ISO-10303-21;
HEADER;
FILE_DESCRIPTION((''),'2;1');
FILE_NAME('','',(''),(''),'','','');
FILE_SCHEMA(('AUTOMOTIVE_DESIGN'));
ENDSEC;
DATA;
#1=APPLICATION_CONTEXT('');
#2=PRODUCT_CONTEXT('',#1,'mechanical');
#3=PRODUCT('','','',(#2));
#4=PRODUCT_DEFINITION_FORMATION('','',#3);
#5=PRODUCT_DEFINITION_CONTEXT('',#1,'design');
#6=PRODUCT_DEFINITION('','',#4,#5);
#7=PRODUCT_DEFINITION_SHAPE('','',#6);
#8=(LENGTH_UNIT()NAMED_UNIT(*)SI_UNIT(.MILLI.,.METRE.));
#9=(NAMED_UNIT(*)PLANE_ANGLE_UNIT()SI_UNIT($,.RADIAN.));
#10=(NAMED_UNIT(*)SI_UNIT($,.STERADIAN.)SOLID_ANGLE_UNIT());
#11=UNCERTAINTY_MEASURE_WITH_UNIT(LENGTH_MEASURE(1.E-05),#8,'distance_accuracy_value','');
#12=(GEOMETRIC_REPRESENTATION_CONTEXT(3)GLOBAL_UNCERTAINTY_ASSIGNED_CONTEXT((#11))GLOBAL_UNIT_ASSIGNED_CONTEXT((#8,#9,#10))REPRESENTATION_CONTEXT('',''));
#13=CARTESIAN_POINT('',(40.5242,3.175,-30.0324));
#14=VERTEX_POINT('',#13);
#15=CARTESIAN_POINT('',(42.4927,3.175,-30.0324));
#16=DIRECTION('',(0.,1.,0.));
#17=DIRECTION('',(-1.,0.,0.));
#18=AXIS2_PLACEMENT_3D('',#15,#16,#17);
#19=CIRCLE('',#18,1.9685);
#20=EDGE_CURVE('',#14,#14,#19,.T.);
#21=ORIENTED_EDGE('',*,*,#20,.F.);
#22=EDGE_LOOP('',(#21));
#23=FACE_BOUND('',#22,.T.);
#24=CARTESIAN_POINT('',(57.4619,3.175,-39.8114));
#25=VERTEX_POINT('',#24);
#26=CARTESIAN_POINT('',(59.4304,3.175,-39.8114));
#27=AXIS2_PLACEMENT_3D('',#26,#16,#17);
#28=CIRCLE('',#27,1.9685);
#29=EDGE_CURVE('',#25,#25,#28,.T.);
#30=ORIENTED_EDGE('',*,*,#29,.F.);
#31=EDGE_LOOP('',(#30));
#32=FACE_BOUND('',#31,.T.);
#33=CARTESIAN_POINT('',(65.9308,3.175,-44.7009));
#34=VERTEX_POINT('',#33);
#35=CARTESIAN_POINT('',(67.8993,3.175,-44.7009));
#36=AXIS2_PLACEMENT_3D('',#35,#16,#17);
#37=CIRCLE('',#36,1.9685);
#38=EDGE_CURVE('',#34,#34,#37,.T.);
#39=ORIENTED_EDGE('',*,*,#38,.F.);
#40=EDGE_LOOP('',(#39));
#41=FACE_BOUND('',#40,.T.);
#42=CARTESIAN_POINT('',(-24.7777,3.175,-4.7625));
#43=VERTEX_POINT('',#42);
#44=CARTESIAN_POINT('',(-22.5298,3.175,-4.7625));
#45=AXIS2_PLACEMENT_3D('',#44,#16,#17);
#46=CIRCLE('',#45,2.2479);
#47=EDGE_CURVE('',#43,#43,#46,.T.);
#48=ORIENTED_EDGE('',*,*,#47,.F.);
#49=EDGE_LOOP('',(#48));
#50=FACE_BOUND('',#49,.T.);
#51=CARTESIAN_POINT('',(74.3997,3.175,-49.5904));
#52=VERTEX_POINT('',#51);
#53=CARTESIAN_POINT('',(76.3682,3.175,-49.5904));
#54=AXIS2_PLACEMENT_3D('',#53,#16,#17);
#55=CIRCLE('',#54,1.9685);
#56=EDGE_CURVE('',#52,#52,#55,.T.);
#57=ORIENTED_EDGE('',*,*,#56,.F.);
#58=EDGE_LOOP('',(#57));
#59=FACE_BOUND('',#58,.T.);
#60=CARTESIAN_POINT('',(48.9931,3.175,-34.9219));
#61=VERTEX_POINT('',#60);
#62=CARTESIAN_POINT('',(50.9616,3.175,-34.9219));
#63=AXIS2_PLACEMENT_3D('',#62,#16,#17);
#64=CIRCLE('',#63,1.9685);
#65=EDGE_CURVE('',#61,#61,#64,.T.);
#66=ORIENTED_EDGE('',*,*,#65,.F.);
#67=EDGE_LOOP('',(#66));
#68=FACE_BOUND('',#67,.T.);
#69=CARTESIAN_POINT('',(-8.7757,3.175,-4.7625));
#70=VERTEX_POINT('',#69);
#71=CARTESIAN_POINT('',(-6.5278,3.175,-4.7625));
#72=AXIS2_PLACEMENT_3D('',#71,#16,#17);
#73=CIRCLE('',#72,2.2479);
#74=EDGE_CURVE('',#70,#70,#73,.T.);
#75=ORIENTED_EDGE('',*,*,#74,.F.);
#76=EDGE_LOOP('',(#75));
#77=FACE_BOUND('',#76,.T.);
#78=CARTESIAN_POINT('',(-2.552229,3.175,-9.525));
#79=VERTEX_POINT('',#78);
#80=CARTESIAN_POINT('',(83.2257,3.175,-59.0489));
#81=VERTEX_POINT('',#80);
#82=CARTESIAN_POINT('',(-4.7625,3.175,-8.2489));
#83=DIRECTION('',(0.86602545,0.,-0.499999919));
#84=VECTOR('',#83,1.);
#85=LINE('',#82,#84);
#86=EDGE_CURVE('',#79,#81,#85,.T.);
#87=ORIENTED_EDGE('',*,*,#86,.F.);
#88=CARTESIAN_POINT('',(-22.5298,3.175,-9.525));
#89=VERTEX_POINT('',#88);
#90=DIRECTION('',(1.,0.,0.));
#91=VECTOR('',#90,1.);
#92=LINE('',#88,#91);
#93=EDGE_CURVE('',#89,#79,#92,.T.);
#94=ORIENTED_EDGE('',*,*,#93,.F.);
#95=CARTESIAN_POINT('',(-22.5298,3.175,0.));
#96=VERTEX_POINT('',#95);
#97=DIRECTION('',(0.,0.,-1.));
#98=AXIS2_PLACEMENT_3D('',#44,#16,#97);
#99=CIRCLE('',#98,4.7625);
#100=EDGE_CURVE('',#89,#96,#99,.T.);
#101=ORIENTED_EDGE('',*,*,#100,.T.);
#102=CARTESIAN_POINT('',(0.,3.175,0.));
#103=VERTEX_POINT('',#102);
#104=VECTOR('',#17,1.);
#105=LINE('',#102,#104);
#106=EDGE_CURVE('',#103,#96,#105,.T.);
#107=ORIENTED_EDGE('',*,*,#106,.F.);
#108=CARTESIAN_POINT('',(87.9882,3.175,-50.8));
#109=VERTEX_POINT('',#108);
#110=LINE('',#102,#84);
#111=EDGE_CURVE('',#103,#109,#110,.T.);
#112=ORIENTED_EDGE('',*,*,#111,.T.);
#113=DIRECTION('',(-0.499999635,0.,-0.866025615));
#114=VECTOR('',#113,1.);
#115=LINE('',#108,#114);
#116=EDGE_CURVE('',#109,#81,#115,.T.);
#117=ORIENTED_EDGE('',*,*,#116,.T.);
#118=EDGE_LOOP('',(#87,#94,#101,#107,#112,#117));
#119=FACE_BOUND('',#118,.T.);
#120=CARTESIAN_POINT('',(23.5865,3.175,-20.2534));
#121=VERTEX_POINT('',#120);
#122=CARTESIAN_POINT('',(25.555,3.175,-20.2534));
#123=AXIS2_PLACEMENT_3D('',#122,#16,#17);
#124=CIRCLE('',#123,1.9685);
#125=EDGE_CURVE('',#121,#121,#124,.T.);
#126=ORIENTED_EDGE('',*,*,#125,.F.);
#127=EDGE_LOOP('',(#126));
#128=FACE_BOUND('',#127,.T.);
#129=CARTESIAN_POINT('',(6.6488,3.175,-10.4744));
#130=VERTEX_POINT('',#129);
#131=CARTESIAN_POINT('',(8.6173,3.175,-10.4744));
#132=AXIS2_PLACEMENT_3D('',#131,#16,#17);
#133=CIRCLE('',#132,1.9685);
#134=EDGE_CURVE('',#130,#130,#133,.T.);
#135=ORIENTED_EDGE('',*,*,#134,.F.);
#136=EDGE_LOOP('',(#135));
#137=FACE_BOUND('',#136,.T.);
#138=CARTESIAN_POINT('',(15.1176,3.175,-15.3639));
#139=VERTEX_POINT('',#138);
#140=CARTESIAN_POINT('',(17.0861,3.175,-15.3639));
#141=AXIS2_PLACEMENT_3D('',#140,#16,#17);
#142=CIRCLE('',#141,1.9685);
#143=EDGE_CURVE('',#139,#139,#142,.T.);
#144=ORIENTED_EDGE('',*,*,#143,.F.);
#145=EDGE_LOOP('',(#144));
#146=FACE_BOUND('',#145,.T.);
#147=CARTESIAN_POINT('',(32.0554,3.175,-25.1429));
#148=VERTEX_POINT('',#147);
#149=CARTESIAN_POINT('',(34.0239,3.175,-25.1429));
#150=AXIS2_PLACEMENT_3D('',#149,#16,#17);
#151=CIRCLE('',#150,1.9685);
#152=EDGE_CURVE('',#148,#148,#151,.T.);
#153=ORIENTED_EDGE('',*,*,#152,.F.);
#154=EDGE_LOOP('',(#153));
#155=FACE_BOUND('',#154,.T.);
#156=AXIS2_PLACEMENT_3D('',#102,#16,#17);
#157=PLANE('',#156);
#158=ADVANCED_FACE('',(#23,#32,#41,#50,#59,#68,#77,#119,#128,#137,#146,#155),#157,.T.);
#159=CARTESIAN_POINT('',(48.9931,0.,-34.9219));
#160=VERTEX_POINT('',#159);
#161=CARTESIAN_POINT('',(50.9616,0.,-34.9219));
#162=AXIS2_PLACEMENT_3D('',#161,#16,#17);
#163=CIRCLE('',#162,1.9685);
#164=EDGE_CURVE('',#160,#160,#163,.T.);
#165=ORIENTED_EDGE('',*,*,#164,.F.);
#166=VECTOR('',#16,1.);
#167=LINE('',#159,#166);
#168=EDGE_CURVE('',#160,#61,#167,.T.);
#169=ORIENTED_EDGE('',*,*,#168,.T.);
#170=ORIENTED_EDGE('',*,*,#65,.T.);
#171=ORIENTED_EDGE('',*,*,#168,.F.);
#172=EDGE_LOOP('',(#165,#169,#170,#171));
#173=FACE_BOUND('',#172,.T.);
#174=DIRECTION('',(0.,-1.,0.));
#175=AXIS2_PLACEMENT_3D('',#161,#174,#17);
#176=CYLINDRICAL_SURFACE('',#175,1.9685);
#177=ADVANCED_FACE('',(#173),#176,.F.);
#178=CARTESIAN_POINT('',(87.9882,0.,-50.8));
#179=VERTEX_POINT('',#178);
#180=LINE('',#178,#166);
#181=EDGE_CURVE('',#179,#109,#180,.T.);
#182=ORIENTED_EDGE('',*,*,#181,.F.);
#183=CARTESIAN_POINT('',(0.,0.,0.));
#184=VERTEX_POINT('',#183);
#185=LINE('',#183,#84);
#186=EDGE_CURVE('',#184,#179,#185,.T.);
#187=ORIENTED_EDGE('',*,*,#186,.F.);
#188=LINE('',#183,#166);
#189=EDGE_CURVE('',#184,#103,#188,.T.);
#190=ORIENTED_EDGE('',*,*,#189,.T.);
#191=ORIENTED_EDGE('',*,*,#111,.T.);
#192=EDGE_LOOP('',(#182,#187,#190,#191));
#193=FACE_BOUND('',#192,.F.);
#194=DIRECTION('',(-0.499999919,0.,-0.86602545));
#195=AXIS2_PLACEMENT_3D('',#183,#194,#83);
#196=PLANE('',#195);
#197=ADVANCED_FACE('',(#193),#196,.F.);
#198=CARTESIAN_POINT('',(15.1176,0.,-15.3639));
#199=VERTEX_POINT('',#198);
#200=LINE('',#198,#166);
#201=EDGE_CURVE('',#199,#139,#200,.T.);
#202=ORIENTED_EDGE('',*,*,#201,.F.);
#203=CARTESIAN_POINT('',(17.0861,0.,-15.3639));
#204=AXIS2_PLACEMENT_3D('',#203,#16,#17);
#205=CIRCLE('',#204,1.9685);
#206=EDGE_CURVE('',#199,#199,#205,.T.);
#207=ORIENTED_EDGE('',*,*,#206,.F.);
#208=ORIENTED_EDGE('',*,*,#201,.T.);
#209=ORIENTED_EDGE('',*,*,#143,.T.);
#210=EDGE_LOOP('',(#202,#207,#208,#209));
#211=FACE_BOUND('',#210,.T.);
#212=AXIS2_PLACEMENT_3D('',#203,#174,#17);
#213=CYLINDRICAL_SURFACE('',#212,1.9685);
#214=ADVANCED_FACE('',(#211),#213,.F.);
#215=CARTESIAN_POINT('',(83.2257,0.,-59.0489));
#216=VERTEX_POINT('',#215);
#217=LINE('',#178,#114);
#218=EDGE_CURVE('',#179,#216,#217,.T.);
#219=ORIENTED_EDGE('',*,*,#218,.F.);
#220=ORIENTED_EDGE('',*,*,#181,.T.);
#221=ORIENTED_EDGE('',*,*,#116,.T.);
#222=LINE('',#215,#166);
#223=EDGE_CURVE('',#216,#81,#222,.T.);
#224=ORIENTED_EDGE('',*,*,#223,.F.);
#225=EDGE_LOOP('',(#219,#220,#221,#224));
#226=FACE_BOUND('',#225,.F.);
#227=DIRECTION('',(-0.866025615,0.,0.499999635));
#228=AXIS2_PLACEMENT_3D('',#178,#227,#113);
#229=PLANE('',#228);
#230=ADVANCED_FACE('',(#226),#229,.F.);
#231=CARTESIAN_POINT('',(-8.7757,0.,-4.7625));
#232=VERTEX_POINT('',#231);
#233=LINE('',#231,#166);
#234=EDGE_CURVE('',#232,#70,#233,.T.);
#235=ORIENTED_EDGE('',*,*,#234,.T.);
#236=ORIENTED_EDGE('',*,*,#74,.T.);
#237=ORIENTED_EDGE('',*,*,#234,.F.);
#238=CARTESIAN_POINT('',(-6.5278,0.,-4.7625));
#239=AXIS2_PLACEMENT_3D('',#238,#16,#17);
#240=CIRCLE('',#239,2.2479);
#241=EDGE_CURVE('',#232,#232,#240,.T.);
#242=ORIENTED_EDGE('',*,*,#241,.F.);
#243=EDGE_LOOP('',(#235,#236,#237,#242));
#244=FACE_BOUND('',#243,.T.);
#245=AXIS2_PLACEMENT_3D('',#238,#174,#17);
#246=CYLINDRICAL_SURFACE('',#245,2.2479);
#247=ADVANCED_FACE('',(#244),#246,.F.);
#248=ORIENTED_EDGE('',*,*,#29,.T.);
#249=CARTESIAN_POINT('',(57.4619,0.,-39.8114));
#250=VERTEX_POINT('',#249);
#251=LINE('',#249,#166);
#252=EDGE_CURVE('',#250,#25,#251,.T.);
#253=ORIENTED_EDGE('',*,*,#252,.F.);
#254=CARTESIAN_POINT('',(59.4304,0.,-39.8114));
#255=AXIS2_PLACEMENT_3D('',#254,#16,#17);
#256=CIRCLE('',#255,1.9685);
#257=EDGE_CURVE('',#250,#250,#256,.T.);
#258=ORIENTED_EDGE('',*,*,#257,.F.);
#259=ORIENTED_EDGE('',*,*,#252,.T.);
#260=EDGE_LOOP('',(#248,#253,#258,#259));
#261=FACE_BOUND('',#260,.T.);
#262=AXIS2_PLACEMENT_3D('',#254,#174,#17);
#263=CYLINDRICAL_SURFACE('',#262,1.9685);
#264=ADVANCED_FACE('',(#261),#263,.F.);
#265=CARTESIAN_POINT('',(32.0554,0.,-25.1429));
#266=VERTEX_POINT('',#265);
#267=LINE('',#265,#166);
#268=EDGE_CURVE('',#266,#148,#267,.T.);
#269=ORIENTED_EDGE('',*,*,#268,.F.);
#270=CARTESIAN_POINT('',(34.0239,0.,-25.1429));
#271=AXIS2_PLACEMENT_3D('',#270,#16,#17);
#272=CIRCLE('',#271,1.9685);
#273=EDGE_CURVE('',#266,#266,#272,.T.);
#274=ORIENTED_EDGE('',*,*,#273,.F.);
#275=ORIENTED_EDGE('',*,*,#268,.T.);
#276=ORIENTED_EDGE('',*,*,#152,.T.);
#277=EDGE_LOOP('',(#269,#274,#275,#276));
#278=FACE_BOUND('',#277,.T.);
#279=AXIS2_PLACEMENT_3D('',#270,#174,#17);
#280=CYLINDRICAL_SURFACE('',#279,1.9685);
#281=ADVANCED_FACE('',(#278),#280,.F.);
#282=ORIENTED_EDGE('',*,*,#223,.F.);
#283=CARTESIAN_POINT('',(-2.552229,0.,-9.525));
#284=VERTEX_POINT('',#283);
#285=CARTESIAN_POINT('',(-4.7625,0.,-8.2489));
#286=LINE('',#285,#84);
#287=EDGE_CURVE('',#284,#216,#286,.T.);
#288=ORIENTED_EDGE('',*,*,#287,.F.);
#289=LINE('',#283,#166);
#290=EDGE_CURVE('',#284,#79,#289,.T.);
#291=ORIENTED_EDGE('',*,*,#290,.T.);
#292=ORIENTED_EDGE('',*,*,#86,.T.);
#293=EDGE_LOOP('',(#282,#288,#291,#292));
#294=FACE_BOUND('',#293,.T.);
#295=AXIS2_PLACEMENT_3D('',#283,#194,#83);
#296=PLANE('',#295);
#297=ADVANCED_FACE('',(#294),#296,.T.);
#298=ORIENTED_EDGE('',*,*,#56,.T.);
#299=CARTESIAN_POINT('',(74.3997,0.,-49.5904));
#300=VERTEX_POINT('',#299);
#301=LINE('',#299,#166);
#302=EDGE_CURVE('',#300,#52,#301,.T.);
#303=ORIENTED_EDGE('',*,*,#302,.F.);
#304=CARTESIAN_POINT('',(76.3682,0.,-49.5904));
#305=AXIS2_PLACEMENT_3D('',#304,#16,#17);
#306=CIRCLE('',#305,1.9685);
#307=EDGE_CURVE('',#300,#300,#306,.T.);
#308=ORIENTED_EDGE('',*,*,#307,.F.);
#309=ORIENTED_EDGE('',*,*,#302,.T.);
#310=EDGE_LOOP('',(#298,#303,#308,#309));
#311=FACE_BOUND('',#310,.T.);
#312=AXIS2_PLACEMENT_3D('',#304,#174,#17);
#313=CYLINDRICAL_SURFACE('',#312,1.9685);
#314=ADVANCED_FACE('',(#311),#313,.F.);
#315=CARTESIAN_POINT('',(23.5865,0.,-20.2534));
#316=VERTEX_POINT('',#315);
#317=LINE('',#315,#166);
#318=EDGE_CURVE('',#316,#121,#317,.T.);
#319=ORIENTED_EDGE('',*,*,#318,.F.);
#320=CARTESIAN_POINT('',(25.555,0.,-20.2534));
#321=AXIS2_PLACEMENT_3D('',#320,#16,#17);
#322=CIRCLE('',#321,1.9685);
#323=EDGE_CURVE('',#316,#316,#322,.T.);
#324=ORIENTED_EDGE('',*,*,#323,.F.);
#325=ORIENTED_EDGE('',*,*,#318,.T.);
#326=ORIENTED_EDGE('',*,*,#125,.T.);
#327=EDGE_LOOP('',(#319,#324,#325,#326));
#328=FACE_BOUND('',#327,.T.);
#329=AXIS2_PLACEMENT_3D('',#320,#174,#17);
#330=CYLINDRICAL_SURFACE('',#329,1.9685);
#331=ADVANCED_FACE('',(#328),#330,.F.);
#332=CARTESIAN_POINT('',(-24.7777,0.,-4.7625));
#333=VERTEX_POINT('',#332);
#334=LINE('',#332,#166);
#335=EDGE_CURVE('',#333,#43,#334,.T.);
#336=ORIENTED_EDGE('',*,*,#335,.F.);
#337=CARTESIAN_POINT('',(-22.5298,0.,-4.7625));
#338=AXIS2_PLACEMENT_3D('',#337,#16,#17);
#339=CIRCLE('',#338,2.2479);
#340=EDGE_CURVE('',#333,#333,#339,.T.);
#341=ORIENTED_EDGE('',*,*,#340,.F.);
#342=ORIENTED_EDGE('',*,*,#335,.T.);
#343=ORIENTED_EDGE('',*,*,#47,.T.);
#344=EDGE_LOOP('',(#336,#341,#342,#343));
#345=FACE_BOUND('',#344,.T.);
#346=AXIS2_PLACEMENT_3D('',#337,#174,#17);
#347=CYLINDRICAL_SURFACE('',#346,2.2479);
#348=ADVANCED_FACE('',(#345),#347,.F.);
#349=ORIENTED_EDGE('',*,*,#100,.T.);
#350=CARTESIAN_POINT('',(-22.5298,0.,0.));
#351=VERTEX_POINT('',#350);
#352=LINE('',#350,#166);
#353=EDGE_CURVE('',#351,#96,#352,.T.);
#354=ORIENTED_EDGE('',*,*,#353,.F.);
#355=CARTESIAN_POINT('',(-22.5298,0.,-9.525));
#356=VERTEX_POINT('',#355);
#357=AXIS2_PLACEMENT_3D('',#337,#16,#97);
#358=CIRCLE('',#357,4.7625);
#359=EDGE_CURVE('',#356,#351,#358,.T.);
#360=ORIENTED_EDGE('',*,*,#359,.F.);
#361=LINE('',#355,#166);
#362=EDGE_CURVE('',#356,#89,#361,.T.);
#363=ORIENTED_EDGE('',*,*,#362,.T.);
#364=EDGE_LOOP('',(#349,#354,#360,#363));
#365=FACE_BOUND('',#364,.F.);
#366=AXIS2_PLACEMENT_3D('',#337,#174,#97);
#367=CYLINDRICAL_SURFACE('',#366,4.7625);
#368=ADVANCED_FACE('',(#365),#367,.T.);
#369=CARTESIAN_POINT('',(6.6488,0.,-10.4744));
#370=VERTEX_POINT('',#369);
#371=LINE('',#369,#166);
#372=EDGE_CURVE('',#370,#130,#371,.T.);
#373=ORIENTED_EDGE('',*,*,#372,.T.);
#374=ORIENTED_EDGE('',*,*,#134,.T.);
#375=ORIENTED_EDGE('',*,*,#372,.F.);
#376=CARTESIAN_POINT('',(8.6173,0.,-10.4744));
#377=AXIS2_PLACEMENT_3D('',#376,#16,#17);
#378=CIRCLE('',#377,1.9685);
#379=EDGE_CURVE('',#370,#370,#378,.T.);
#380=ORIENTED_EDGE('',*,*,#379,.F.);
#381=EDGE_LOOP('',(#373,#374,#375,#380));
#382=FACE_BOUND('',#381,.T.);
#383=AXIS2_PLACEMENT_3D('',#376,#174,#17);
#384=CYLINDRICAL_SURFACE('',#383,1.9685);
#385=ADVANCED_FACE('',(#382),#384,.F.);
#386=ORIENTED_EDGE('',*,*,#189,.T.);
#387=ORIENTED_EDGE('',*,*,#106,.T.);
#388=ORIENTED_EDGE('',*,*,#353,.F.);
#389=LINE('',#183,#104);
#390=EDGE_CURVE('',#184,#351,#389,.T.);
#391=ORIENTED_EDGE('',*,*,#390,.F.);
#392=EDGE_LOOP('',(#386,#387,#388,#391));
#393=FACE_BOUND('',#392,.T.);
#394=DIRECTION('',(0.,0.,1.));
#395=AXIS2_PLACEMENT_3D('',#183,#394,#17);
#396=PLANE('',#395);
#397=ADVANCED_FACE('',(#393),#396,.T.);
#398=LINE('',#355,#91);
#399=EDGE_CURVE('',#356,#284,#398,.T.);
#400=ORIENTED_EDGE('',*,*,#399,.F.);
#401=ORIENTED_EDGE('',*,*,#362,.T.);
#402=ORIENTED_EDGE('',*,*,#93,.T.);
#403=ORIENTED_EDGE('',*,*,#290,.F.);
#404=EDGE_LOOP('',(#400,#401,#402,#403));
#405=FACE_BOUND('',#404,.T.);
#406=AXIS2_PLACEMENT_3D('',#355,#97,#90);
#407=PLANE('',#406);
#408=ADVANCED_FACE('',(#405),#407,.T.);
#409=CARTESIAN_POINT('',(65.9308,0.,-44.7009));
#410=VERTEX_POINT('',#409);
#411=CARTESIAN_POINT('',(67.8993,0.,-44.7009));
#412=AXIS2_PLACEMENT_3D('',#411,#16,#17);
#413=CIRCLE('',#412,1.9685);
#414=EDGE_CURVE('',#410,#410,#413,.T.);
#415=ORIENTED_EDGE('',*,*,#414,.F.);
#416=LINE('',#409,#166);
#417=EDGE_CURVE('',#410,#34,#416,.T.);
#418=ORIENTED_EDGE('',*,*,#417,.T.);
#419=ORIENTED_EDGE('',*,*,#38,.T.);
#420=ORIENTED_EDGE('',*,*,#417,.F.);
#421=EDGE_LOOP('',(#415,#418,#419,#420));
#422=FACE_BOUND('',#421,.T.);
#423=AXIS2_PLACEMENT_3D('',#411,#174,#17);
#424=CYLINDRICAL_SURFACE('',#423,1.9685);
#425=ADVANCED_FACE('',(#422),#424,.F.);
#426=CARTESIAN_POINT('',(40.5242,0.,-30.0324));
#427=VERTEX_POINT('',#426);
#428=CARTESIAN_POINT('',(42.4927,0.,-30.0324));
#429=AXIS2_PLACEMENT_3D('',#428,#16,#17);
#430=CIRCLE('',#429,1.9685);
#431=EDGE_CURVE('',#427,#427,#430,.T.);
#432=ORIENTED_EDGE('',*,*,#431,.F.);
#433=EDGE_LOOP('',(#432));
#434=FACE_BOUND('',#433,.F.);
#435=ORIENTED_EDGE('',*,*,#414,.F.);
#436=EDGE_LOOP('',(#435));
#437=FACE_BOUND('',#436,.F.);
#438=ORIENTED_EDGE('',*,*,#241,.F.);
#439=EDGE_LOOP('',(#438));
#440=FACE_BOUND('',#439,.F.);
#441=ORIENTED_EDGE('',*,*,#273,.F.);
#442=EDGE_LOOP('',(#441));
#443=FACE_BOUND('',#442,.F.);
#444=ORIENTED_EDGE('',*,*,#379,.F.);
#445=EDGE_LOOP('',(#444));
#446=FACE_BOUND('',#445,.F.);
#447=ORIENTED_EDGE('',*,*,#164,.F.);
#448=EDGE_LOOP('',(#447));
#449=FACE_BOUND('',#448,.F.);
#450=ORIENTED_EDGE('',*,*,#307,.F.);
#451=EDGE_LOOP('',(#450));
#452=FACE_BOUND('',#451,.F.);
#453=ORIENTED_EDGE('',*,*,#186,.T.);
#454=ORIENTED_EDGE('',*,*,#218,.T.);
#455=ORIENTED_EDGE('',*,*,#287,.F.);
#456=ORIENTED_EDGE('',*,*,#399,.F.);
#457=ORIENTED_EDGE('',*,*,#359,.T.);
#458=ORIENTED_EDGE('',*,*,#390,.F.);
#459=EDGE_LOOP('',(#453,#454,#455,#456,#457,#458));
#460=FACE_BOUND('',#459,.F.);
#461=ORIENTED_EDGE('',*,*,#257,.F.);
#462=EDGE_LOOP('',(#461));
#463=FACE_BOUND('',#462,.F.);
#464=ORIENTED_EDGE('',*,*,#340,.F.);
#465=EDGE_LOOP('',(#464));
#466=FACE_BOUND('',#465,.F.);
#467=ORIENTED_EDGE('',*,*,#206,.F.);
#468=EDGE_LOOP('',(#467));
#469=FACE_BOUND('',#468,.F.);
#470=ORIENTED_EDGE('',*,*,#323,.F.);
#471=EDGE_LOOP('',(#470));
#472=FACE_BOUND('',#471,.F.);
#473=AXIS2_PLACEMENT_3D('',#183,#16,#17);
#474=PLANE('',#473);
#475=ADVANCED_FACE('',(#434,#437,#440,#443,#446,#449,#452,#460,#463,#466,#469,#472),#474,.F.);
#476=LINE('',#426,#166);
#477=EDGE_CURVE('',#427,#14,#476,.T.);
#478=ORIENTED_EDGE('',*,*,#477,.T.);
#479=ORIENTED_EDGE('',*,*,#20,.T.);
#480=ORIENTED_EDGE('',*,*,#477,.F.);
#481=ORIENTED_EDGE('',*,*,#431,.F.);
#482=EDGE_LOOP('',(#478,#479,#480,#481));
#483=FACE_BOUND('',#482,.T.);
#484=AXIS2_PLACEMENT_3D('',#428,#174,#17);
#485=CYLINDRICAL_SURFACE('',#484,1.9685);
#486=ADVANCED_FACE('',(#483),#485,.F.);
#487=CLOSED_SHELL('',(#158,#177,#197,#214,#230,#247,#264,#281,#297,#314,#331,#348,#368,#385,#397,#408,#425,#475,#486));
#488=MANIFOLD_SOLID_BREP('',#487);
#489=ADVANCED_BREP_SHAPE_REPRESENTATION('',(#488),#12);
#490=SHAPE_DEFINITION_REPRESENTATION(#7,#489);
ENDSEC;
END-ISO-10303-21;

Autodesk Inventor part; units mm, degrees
ref_plane "YZ Plane" through (0, 0, 0) normal (1, 0, 0) x (0, 1, 0)
ref_plane "XZ Plane" through (0, 0, 0) normal (0, 1, 0) x (-1, 0, 0)
ref_plane "XY Plane" through (0, 0, 0) normal (0, 0, 1) x (1, 0, 0)
sketch "Sketch1" plane through (0, 0, 0) normal (0, 1, 0) x (-1, 0, 0)
  line L0 (0, 0) -> (22.5298, 0)
  line L1 (22.5298, -9.525) -> (0, -9.525)
  line L2 (0, -9.525) -> (0, 0)
  arc A0 (22.5298, -9.525) -> (22.5298, 0) centre (22.5298, -4.7625) ccw
  line L3 (0, 0) -> (-87.9882, -50.8)
  line L4 (0, 0) -> (101.6, 0) construction
  line L5 (-87.9882, -50.8) -> (-83.2257, -59.0489)
  line L6 (0, 0) -> (4.7625, -8.2489)
  line L7 (4.7625, -8.2489) -> (-83.2257, -59.0489)
  circle A1 centre (22.5298, -4.7625) radius 2.2479
  line L8 (22.5298, -4.7625) -> (6.5278, -4.7625) construction
  circle A2 centre (6.5278, -4.7625) radius 2.2479
  line L9 (2.3813, -4.1244) -> (-8.6173, -10.4744) construction
  circle A3 centre (-8.6173, -10.4744) radius 1.9685
  line L10 (2.3813, -4.1244) -> (-85.6069, -54.9244) construction
  circle A4 centre (-17.0861, -15.3639) radius 1.9685
  circle A5 centre (-25.555, -20.2534) radius 1.9685
  circle A6 centre (-34.0239, -25.1429) radius 1.9685
  circle A7 centre (-42.4927, -30.0324) radius 1.9685
  circle A8 centre (-50.9616, -34.9219) radius 1.9685
  circle A9 centre (-59.4304, -39.8114) radius 1.9685
  circle A10 centre (-67.8993, -44.7009) radius 1.9685
  circle A11 centre (-76.3682, -49.5904) radius 1.9685
  line L11 (22.5298, -4.7625) -> (6.5278, -4.7625) construction
  line L12 (6.5278, -4.7625) -> (6.5278, 11.2395) construction
  line L13 (6.5278, 11.2395) -> (22.5298, 11.2395) construction
  line L14 (22.5298, 11.2395) -> (22.5298, -4.7625) construction
  line L15 (14.5288, 11.2395) -> (14.5288, -4.7625) construction
  line L16 (22.5298, 3.2385) -> (6.5278, 3.2385) construction
  circle A12 centre (14.5288, 3.2385) radius 1.27 construction
  dimension "d0" = 22.5298
  dimension "d1" = 9.525
  dimension "d2" = 4.7625
  dimension "d4" = 150
  dimension "d7" = 9.525
  dimension "d8" = 9.525
  dimension "d9" = 4.4958
  dimension "d10" = 16.002
  dimension "d11" = 4.4958
  dimension "d12" = 12.7
  dimension "d13" = 3.937
  dimension "d14" = 4.7625
  dimension "d15" = 3.937
  dimension "d16" = 9.779
  dimension "d17" = 3.937
  dimension "d18" = 9.779
  dimension "d19" = 3.937
  dimension "d20" = 9.779
  dimension "d21" = 3.937
  dimension "d22" = 9.779
  dimension "d23" = 3.937
  dimension "d24" = 9.779
  dimension "d25" = 3.937
  dimension "d26" = 9.779
  dimension "d27" = 3.937
  dimension "d28" = 9.779
  dimension "d29" = 3.937
  dimension "d30" = 9.779
  dimension "d31" = 16.002
  dimension "d32" = 2.54
  dimension "d33" = 115.8874
extrude "Extrusion1" add sketch "Sketch1" along normal blind 3.175
properties part number "CollectorArmParametric"
